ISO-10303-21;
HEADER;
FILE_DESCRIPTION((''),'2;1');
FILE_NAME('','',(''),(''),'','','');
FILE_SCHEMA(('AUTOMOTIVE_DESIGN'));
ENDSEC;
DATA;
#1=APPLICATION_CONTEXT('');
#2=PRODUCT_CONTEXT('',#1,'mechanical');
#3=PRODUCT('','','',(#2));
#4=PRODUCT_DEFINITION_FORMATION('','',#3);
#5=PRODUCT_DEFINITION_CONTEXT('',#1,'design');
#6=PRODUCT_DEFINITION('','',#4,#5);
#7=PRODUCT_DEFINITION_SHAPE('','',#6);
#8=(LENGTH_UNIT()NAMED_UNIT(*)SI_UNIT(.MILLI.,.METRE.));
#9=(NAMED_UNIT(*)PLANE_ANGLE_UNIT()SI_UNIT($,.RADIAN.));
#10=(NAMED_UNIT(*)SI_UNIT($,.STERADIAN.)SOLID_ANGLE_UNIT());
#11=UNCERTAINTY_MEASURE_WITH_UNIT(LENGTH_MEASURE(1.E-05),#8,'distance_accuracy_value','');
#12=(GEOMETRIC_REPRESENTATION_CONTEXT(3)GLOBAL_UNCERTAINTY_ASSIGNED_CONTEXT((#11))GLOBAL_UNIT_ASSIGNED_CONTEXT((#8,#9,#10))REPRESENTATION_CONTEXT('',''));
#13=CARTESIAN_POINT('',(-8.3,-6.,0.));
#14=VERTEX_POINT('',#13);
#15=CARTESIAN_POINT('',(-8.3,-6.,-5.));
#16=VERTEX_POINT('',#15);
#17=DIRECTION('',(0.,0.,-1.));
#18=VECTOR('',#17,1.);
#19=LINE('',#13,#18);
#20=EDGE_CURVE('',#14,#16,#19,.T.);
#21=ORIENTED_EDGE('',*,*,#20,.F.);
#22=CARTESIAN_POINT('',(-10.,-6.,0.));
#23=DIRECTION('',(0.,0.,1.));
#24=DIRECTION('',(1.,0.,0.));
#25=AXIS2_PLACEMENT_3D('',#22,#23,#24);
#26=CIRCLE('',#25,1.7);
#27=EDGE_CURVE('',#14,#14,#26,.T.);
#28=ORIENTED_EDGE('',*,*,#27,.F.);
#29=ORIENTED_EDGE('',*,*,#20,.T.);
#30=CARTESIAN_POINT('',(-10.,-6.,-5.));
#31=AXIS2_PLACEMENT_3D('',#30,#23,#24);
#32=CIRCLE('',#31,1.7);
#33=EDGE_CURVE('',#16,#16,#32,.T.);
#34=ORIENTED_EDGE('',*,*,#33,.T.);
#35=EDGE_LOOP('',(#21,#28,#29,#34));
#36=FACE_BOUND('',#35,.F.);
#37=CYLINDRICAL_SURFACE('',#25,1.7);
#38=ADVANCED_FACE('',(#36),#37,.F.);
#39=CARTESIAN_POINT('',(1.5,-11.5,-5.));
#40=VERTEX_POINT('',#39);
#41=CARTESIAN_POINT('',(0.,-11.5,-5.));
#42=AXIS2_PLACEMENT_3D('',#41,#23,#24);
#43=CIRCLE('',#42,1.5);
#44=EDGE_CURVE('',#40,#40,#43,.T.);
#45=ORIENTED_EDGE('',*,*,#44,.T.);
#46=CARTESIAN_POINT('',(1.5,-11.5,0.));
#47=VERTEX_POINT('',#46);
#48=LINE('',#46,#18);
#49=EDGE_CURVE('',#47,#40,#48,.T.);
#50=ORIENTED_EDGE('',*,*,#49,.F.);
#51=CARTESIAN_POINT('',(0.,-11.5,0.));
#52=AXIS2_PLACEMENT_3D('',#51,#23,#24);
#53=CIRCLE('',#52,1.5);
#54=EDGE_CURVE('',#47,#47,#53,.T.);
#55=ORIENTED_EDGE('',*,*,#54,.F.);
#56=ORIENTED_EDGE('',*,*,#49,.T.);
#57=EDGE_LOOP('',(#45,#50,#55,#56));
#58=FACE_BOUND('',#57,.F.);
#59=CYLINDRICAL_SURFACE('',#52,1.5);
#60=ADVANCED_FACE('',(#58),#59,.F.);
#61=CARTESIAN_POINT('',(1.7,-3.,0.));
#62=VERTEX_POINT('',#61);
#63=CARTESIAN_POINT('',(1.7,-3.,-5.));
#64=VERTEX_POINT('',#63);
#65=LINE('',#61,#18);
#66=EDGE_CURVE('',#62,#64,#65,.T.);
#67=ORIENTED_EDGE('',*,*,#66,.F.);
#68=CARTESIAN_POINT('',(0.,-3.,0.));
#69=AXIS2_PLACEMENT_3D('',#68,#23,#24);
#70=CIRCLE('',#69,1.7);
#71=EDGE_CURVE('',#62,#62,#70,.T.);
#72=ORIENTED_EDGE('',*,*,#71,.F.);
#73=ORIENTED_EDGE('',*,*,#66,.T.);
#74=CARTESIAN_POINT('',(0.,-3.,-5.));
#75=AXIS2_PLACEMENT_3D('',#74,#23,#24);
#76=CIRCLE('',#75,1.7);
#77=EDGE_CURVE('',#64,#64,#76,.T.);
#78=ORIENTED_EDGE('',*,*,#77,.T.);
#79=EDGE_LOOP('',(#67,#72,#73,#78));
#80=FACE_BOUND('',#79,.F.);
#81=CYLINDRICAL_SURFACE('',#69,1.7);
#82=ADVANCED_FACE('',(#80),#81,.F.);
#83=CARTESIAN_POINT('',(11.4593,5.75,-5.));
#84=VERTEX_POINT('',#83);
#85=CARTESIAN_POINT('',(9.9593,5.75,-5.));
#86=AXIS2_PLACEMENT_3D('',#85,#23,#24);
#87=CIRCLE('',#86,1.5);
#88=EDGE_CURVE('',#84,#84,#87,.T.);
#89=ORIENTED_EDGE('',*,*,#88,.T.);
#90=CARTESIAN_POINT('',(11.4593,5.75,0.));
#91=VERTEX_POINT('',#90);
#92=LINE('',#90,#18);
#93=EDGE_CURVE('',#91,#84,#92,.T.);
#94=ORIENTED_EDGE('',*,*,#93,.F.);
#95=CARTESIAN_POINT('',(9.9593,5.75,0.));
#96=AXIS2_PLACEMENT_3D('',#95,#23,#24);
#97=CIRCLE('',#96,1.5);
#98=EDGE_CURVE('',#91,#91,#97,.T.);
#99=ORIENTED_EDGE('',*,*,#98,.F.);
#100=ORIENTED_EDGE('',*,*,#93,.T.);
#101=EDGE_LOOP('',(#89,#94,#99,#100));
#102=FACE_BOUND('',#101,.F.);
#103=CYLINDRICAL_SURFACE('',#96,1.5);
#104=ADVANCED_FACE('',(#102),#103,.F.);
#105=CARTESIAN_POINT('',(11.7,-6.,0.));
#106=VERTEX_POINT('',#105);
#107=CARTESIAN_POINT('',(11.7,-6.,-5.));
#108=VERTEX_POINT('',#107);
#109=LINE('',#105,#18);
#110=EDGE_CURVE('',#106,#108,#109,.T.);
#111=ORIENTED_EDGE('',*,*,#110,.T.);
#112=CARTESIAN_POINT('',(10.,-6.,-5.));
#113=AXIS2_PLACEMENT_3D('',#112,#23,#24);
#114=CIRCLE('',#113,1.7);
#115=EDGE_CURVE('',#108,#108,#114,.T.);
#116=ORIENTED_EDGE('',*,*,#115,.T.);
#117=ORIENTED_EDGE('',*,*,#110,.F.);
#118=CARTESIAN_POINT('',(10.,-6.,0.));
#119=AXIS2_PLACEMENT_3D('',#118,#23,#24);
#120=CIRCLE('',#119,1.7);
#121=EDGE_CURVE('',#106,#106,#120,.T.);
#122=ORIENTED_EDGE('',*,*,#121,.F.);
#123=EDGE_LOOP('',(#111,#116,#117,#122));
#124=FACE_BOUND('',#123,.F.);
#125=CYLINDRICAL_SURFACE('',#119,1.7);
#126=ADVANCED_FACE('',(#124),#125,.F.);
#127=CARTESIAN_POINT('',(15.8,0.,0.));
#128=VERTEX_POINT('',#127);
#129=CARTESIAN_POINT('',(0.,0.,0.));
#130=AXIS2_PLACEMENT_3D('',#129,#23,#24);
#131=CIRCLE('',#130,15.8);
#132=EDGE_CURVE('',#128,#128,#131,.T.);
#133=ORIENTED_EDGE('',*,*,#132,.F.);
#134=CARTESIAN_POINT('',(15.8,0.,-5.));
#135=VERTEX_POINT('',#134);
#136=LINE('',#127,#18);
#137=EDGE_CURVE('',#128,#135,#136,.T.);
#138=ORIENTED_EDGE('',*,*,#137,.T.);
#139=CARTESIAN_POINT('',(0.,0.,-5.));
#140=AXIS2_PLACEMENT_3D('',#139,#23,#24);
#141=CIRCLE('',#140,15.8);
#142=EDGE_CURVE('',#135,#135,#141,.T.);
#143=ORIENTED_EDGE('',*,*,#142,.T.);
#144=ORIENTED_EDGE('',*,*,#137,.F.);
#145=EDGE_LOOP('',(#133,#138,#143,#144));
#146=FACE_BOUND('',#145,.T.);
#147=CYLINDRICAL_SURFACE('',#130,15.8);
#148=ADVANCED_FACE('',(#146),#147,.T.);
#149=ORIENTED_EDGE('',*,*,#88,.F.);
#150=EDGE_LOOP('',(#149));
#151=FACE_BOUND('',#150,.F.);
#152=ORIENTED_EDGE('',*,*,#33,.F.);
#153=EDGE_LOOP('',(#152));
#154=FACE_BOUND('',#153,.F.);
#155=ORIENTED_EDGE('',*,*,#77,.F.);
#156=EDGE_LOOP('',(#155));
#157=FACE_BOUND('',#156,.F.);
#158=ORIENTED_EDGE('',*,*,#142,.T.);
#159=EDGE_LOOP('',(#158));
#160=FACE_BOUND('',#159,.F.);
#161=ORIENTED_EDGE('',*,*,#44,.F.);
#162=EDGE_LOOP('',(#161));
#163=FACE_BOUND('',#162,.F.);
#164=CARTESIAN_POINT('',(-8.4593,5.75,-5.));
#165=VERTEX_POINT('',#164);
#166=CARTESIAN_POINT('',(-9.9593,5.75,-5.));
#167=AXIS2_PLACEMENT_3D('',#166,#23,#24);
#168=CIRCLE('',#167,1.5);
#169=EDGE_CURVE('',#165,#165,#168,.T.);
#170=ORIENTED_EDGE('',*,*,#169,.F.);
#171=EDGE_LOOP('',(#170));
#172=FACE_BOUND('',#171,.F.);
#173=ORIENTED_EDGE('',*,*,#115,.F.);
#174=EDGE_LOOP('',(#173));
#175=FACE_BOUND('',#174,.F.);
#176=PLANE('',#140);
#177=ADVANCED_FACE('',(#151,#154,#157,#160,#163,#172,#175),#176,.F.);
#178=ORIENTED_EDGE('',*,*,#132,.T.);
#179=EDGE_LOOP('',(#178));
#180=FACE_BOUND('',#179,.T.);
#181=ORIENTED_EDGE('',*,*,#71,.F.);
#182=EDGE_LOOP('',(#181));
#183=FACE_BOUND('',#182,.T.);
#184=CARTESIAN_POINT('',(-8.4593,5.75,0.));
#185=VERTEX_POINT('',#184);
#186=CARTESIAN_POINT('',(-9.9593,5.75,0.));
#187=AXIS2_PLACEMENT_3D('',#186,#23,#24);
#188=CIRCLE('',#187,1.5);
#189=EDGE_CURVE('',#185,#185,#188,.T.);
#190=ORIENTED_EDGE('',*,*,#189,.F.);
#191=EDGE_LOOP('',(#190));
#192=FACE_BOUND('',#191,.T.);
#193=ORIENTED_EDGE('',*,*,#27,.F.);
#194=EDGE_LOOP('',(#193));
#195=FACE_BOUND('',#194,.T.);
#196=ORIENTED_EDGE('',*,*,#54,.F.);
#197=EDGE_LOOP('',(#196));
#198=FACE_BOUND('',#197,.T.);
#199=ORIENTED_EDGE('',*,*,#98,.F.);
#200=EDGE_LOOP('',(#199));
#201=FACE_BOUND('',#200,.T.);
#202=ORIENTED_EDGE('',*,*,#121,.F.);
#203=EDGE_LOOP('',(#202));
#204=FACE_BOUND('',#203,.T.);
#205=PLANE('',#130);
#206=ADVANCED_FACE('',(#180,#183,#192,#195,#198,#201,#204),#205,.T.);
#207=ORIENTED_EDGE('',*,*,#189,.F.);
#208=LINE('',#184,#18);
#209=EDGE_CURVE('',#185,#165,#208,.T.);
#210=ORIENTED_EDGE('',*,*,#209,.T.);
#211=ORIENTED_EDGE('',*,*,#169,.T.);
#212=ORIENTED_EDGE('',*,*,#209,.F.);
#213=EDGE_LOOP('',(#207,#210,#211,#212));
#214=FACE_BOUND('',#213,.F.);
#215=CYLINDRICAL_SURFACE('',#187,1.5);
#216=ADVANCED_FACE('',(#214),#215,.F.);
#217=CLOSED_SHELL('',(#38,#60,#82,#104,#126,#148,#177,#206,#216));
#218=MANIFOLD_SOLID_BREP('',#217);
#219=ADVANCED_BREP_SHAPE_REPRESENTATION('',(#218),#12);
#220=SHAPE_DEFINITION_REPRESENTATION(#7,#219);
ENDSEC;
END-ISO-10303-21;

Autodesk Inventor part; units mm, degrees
ref_plane "YZ Plane" through (0, 0, 0) normal (1, 0, 0) x (0, 1, 0)
ref_plane "XZ Plane" through (0, 0, 0) normal (0, 1, 0) x (-1, 0, 0)
ref_plane "XY Plane" through (0, 0, 0) normal (0, 0, 1) x (1, 0, 0)
sketch "スケッチ2" plane through (0, 0, 0) normal (0, 0, 1) x (1, 0, 0)
  circle A0 centre (0, 0) radius 15.8
  dimension "d0" = 31.6
extrude "押し出し1" add sketch "スケッチ2" against normal blind 5
sketch "スケッチ3" plane through (0, 0, 0) normal (0, 0, 1) x (1, 0, 0)
  line L0 (0, 0) -> (0, 20.2537) construction
  circle A0 centre (0, -3) radius 1.7
  circle A1 centre (-10, -6) radius 1.7
  circle A2 centre (10, -6) radius 1.7
  dimension "d32" = 3.4
  dimension "d33" = 3
  dimension "d67" = 3.4
  dimension "d68" = 3.4
  dimension "d69" = 10
  dimension "d70" = 6
extrude "押し出し2" cut sketch "スケッチ3" against normal through all
sketch "スケッチ10" plane through (0, 0, 0) normal (0, 0, 1) x (1, 0, 0)
  circle A0 centre (0, -11.5) radius 1.5
  circle A1 centre (9.9593, 5.75) radius 1.5
  circle A2 centre (-9.9593, 5.75) radius 1.5
  point P0 (0, 0)
  dimension "d71" = 3
  dimension "d72" = 11.5
  dimension "d75" = 360
extrude "押し出し8" cut sketch "スケッチ10" against normal through all
thread "ねじ6" size "M3x0.5" class "6H" standard "ANSI Metric M Profile" full length
thread "ねじ7" size "M3x0.5" class "6H" standard "ANSI Metric M Profile" full length
thread "ねじ8" size "M3x0.5" class "6H" standard "ANSI Metric M Profile" full length
properties part number "B_pipe_cylinder_5" material "ステンレス鋼 440C"
